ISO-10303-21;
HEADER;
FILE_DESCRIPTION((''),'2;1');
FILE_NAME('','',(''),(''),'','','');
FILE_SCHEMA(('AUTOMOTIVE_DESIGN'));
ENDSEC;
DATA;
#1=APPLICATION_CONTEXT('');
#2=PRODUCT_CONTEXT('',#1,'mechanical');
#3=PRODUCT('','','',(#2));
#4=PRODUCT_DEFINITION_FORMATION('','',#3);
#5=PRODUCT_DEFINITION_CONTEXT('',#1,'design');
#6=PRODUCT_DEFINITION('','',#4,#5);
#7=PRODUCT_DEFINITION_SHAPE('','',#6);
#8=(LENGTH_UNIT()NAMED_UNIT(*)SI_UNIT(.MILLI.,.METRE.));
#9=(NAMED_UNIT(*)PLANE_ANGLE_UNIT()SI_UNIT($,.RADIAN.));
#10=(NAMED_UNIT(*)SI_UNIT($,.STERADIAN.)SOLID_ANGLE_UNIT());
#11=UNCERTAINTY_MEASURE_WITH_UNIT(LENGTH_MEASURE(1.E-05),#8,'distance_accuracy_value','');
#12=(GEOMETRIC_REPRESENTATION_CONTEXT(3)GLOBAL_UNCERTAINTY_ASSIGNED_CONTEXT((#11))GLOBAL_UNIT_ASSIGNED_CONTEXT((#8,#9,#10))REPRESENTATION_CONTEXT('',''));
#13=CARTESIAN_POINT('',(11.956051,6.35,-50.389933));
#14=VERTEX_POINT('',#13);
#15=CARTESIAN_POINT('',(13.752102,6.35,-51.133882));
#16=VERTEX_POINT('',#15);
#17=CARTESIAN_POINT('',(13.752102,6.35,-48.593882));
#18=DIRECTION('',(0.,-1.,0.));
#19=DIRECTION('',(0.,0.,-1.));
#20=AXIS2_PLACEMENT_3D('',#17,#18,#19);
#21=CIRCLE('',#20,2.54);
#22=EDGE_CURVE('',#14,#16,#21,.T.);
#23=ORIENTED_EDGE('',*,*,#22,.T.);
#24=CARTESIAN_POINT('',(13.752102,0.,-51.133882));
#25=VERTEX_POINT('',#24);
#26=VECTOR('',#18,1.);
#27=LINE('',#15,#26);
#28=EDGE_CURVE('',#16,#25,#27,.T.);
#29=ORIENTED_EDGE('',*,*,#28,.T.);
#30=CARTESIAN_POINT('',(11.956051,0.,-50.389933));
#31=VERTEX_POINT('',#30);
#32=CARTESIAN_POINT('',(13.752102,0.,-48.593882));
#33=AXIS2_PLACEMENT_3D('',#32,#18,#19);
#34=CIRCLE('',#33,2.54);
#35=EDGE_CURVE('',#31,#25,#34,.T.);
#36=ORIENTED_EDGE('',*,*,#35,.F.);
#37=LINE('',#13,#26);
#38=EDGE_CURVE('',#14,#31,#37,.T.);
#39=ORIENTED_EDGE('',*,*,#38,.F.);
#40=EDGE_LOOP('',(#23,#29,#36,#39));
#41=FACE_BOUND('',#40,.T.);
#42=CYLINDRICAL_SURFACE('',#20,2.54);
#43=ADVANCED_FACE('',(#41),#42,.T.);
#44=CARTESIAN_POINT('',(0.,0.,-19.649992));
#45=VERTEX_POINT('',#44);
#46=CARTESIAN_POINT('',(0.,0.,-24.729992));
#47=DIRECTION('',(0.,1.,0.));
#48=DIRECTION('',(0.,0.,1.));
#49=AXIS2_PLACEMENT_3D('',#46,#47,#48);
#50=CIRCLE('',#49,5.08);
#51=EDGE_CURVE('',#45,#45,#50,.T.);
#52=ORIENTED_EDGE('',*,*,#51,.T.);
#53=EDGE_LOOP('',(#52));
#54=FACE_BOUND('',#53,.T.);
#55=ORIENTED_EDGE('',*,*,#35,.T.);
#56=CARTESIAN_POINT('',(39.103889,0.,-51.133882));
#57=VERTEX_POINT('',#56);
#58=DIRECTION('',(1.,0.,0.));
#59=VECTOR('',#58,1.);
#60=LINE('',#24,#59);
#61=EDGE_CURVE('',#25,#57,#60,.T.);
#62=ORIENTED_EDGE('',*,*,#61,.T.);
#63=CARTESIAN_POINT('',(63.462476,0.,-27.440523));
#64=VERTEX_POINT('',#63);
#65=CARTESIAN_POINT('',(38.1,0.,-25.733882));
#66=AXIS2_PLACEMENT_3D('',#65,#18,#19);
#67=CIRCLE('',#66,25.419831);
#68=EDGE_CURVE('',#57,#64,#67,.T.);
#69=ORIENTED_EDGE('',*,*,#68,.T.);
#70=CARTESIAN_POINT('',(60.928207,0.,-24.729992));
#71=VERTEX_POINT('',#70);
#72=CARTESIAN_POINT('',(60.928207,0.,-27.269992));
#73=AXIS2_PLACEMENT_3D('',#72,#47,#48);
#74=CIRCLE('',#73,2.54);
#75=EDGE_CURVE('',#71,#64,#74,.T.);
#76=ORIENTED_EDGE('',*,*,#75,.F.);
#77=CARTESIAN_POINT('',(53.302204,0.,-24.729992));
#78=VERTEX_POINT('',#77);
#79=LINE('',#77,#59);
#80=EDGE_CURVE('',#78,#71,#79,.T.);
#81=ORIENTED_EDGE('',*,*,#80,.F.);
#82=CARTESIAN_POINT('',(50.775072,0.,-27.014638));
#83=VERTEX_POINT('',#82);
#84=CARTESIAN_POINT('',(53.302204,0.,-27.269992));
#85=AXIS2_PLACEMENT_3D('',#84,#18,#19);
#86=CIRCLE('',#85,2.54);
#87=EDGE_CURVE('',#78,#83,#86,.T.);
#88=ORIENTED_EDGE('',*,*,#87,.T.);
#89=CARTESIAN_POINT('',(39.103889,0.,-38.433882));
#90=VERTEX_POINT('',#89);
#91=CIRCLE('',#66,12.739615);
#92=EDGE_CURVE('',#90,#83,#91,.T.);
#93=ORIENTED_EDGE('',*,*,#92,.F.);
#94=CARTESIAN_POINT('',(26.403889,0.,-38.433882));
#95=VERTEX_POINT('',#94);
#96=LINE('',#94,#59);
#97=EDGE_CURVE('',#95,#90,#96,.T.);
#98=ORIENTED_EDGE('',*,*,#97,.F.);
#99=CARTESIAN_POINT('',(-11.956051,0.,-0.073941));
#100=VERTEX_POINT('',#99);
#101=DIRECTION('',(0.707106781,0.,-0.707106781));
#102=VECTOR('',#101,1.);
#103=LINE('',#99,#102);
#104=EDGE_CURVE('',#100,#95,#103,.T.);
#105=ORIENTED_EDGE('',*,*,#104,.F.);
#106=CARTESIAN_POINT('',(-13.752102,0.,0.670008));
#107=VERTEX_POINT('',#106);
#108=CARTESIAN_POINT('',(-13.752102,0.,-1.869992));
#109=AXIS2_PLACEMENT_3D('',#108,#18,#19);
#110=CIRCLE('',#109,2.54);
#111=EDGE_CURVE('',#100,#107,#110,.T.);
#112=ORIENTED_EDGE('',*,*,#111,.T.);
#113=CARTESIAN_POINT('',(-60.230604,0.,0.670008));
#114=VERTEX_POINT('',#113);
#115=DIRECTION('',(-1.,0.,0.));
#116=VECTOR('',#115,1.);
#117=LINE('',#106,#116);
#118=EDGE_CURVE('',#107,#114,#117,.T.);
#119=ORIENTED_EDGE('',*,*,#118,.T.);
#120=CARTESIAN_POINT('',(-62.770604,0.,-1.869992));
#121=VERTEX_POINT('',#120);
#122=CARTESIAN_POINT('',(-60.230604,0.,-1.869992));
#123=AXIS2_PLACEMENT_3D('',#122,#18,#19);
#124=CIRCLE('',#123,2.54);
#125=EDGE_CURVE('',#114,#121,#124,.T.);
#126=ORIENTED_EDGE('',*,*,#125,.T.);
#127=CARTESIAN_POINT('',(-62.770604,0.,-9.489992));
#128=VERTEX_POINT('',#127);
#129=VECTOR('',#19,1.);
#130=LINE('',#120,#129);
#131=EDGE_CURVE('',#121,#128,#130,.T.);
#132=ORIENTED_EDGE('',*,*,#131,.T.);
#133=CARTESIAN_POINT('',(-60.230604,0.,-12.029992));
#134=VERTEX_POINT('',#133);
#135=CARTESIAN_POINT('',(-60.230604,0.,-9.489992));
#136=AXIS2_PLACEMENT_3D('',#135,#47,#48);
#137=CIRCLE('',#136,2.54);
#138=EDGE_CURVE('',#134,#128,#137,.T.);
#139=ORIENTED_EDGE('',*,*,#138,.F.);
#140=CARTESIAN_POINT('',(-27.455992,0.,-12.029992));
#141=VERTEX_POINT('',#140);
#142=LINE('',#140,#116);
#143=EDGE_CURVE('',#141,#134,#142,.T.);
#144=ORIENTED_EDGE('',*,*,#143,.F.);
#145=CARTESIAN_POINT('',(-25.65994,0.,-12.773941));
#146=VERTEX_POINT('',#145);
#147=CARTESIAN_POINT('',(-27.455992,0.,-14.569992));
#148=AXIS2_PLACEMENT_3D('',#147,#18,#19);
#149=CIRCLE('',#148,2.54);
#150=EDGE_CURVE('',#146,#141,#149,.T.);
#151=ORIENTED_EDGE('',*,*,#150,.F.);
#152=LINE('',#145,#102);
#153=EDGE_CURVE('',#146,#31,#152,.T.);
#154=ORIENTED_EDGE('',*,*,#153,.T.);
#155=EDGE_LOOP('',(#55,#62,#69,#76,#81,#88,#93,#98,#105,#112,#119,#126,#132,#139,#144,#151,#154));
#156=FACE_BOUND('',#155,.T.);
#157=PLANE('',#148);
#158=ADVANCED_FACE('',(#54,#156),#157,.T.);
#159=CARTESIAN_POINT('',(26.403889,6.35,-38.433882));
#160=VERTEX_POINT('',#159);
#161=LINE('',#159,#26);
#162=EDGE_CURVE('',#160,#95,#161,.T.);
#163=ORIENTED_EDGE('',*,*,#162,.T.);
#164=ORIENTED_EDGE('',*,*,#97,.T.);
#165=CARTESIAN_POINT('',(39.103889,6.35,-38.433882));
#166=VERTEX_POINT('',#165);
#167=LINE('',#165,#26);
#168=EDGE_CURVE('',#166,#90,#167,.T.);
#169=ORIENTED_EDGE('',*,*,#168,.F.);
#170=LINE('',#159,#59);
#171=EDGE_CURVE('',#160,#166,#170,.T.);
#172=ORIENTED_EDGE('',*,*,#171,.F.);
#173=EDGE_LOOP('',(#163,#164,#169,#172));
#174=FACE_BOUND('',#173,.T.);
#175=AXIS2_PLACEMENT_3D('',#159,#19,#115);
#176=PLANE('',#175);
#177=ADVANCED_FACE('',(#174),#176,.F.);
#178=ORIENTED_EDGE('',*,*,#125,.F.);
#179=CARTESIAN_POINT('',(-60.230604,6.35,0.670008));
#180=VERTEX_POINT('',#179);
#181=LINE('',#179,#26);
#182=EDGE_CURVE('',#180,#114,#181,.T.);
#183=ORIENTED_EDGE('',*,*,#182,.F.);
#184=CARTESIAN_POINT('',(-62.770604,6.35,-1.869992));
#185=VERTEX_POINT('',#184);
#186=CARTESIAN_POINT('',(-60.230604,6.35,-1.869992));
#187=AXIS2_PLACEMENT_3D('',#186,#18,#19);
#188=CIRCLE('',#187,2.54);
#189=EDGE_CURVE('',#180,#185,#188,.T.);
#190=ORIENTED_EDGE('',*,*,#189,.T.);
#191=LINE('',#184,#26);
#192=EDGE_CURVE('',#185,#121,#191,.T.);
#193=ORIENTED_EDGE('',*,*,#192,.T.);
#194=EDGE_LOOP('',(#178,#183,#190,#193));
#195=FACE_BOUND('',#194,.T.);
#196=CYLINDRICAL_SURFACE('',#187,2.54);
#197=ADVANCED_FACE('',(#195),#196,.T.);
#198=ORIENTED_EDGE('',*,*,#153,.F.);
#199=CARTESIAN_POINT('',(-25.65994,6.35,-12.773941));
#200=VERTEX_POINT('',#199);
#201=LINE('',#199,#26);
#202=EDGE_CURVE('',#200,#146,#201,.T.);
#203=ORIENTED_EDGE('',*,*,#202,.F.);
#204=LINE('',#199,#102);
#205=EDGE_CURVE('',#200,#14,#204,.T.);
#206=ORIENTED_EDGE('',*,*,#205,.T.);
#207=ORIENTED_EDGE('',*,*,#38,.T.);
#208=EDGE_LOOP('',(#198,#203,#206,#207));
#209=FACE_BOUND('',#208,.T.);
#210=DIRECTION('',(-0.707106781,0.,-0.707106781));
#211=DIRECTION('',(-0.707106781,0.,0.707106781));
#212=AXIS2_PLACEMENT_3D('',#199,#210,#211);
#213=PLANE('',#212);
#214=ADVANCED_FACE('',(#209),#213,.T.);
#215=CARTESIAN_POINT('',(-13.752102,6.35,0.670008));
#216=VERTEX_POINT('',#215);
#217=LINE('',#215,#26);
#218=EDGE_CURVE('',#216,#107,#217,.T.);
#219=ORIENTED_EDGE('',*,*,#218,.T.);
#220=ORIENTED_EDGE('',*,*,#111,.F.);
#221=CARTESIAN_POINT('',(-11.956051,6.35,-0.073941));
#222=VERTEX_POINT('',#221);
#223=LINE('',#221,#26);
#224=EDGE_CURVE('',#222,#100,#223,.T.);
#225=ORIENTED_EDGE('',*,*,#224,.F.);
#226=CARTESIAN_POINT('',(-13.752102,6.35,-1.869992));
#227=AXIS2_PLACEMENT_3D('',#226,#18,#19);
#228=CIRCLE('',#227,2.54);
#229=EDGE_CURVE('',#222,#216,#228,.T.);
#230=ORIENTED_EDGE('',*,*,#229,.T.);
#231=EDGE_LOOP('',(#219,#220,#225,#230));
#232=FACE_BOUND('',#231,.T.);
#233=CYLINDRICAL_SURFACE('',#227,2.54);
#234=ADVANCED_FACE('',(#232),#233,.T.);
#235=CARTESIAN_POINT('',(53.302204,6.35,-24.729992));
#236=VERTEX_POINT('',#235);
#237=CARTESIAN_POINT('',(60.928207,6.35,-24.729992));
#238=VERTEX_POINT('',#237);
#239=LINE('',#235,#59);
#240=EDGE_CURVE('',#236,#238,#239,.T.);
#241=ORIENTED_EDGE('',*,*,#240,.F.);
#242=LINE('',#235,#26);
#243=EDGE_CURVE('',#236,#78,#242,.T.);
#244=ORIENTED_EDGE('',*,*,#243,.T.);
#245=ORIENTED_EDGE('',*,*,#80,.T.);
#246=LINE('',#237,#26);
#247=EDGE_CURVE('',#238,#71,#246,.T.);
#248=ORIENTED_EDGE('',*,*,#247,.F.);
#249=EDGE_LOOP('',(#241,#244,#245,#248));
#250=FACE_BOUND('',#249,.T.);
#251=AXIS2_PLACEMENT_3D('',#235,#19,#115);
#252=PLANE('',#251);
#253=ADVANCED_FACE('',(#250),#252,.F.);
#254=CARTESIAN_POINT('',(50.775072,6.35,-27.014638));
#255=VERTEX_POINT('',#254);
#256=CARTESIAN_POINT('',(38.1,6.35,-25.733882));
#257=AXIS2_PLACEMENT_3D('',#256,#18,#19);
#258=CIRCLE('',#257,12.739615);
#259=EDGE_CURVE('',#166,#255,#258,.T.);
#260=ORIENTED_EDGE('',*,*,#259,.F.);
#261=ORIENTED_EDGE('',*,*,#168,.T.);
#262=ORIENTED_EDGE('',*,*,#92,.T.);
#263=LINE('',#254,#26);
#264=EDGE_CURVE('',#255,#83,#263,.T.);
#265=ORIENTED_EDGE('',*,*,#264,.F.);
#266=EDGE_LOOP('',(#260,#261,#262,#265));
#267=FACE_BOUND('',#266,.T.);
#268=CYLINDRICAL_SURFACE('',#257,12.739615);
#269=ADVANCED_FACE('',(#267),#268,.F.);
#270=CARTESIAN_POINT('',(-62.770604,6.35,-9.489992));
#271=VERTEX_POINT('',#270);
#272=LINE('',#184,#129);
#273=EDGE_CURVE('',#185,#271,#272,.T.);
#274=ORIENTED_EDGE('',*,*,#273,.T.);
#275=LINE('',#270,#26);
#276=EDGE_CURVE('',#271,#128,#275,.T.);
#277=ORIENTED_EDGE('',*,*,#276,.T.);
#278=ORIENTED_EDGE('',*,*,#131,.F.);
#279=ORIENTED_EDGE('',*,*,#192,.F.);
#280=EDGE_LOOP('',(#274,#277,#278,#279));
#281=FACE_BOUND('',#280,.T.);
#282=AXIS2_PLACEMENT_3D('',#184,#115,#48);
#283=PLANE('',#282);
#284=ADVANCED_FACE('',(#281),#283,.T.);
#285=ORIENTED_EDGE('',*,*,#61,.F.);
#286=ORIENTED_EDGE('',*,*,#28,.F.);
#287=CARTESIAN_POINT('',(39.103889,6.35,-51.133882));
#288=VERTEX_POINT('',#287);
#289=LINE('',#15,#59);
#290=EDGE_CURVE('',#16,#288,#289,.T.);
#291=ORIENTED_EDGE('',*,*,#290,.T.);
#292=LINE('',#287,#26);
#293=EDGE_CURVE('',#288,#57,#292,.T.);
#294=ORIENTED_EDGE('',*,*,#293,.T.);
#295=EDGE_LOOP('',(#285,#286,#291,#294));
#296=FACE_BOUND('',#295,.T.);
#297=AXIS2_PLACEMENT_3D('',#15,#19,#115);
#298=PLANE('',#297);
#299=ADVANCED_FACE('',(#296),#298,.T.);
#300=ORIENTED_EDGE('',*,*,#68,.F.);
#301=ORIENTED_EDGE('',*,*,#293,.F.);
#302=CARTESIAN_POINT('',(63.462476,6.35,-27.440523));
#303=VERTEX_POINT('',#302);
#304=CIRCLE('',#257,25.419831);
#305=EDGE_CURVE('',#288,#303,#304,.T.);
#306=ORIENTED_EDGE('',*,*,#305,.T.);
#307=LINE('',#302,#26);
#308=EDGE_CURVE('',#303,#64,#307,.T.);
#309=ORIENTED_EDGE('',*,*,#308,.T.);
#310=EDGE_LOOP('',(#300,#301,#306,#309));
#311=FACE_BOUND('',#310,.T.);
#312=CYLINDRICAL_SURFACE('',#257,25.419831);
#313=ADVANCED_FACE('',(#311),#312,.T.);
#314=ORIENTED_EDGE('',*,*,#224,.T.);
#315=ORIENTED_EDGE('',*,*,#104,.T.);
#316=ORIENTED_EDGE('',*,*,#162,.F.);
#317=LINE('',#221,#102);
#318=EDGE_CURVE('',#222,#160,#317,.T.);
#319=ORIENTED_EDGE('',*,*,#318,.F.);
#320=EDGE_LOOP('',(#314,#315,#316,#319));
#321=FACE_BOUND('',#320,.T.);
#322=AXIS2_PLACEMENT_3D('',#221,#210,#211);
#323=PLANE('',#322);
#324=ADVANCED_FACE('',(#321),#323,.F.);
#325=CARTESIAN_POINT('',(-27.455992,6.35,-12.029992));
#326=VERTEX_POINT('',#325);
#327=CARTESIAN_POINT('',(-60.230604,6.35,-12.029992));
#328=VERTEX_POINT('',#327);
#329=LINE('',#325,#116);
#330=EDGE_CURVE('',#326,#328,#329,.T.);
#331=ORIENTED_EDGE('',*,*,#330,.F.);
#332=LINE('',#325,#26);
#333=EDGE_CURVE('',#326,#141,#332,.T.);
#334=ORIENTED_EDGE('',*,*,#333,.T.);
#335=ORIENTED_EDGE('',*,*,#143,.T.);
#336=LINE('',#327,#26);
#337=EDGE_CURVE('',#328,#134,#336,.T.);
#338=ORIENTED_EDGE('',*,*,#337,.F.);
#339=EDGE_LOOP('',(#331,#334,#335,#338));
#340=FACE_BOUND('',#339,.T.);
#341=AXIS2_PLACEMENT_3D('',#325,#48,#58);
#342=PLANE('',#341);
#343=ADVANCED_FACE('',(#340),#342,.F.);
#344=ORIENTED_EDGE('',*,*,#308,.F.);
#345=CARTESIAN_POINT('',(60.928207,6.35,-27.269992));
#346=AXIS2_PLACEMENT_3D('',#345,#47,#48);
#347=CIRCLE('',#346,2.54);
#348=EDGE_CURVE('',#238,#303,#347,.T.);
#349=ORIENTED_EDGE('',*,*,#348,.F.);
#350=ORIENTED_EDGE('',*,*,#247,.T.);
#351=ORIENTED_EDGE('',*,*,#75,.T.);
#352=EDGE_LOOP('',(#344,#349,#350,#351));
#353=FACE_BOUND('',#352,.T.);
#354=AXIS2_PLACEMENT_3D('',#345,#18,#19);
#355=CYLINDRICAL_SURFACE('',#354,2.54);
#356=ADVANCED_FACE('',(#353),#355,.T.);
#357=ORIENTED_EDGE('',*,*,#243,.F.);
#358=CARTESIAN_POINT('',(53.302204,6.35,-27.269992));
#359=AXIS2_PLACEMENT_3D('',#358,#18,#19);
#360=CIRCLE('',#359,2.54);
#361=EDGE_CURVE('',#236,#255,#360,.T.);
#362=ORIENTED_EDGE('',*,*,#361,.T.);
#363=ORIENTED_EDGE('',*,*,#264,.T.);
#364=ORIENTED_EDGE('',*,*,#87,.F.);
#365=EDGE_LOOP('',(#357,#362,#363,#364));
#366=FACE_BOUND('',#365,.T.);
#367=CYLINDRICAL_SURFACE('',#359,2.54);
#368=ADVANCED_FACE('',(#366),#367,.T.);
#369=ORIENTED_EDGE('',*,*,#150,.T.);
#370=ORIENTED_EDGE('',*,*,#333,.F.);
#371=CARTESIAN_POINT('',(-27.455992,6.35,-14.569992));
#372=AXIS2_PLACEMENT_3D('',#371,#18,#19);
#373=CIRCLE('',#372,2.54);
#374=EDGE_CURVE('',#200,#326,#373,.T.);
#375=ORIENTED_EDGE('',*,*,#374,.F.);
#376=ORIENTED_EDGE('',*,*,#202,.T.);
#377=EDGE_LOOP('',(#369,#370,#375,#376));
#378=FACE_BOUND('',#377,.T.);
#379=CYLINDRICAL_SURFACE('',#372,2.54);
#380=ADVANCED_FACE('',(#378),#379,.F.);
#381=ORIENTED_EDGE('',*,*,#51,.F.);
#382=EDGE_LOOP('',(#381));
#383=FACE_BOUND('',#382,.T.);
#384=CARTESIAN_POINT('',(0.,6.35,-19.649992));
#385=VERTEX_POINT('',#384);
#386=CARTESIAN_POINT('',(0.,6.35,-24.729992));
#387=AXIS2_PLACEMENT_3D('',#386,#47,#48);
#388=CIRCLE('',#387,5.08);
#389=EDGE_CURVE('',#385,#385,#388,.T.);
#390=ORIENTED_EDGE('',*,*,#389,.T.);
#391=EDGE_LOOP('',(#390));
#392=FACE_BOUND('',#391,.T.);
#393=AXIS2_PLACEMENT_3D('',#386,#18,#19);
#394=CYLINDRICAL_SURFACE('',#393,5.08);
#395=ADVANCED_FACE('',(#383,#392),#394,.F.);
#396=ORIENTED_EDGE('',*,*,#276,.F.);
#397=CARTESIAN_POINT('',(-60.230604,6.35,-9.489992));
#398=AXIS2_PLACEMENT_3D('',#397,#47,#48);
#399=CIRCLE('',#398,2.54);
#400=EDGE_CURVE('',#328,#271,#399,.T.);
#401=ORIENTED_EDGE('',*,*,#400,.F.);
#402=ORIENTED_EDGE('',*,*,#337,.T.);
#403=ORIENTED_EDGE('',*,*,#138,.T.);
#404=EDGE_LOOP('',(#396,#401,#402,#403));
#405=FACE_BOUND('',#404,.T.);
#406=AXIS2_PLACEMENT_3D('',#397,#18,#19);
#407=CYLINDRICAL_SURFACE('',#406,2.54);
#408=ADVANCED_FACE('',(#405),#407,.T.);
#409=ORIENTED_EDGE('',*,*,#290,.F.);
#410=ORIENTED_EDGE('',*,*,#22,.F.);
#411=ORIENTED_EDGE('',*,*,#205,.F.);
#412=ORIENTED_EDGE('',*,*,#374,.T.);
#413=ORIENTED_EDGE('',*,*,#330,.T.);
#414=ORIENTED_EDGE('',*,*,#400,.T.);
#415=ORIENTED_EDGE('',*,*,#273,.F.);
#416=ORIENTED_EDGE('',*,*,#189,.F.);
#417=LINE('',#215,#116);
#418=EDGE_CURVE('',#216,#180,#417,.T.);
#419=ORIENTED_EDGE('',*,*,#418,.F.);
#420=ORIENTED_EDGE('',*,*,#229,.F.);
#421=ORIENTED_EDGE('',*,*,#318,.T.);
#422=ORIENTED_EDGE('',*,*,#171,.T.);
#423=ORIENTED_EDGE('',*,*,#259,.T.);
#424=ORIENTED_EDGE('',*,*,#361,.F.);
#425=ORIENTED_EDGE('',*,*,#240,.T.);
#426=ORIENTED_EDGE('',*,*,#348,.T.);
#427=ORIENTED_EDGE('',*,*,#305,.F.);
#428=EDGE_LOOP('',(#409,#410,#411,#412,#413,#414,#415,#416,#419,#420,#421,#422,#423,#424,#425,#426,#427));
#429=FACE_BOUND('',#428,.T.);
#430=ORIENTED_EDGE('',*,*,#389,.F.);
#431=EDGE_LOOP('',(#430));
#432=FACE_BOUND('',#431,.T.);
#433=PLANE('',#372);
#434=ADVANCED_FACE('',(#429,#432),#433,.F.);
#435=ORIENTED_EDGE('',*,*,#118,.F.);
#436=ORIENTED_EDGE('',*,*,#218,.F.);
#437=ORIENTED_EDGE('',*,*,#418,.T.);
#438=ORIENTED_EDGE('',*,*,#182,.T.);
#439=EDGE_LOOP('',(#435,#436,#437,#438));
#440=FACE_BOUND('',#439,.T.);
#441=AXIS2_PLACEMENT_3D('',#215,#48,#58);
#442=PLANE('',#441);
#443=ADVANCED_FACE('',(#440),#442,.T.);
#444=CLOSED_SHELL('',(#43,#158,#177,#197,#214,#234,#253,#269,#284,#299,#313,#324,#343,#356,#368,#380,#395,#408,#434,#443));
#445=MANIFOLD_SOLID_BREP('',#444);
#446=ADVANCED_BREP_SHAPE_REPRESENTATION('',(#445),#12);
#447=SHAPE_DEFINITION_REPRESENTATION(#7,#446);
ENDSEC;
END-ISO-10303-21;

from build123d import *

# Parameters (mm, degrees)
SKETCH1_R           = 5.08
BOSS_EXTRUDE1_DEPTH = 6.35


with BuildPart() as part:
    # Sketch1 → Boss-Extrude1 (new body)
    with BuildSketch(Plane(origin=(0, 0, 0), x_dir=(1, 0, 0), z_dir=(0, 1, 0))):
        with BuildLine():
            Line((-11.956051224, 0.073941191), (26.403889176, 38.433881591))
            Line((26.403889176, 38.433881591), (39.103889176, 38.433881591))
            ThreePointArc((39.103889176, 38.433881591), (47.009448875, 34.839896868), (50.775072277, 27.014637718))
            ThreePointArc((50.775072277, 27.014637718), (51.59882499, 25.385821387), (53.302203848, 24.729992415))
            Line((53.302203848, 24.729992415), (60.928206609, 24.729992415))
            ThreePointArc((60.928206609, 24.729992415), (62.783570301, 25.53528046), (63.462475569, 27.440523463))
            ThreePointArc((63.462475569, 27.440523463), (55.823997921, 43.955508609), (39.103889176, 51.133881591))
            Line((39.103889176, 51.133881591), (13.752102448, 51.133881591))
            ThreePointArc((13.752102448, 51.133881591), (12.78008653, 50.940535604), (11.956051224, 50.389932815))
            Line((11.956051224, 50.389932815), (-25.6599404, 12.773941191))
            ThreePointArc((-25.6599404, 12.773941191), (-26.483975706, 12.223338403), (-27.455991624, 12.029992415))
            Line((-27.455991624, 12.029992415), (-60.230604195, 12.029992415))
            ThreePointArc((-60.230604195, 12.029992415), (-62.026655419, 11.28604364), (-62.770604195, 9.489992415))
            Line((-62.770604195, 9.489992415), (-62.770604195, 1.869992415))
            ThreePointArc((-62.770604195, 1.869992415), (-62.026655419, 0.073941191), (-60.230604195, -0.670007585))
            Line((-60.230604195, -0.670007585), (-13.752102448, -0.670007585))
            ThreePointArc((-13.752102448, -0.670007585), (-12.78008653, -0.476661597), (-11.956051224, 0.073941191))
        make_face()
        with Locations(Location((0, 24.729992415, 0), (0, 0, 270))):
            Circle(SKETCH1_R, mode=Mode.SUBTRACT)
    extrude(amount=BOSS_EXTRUDE1_DEPTH)


solid = part.part
